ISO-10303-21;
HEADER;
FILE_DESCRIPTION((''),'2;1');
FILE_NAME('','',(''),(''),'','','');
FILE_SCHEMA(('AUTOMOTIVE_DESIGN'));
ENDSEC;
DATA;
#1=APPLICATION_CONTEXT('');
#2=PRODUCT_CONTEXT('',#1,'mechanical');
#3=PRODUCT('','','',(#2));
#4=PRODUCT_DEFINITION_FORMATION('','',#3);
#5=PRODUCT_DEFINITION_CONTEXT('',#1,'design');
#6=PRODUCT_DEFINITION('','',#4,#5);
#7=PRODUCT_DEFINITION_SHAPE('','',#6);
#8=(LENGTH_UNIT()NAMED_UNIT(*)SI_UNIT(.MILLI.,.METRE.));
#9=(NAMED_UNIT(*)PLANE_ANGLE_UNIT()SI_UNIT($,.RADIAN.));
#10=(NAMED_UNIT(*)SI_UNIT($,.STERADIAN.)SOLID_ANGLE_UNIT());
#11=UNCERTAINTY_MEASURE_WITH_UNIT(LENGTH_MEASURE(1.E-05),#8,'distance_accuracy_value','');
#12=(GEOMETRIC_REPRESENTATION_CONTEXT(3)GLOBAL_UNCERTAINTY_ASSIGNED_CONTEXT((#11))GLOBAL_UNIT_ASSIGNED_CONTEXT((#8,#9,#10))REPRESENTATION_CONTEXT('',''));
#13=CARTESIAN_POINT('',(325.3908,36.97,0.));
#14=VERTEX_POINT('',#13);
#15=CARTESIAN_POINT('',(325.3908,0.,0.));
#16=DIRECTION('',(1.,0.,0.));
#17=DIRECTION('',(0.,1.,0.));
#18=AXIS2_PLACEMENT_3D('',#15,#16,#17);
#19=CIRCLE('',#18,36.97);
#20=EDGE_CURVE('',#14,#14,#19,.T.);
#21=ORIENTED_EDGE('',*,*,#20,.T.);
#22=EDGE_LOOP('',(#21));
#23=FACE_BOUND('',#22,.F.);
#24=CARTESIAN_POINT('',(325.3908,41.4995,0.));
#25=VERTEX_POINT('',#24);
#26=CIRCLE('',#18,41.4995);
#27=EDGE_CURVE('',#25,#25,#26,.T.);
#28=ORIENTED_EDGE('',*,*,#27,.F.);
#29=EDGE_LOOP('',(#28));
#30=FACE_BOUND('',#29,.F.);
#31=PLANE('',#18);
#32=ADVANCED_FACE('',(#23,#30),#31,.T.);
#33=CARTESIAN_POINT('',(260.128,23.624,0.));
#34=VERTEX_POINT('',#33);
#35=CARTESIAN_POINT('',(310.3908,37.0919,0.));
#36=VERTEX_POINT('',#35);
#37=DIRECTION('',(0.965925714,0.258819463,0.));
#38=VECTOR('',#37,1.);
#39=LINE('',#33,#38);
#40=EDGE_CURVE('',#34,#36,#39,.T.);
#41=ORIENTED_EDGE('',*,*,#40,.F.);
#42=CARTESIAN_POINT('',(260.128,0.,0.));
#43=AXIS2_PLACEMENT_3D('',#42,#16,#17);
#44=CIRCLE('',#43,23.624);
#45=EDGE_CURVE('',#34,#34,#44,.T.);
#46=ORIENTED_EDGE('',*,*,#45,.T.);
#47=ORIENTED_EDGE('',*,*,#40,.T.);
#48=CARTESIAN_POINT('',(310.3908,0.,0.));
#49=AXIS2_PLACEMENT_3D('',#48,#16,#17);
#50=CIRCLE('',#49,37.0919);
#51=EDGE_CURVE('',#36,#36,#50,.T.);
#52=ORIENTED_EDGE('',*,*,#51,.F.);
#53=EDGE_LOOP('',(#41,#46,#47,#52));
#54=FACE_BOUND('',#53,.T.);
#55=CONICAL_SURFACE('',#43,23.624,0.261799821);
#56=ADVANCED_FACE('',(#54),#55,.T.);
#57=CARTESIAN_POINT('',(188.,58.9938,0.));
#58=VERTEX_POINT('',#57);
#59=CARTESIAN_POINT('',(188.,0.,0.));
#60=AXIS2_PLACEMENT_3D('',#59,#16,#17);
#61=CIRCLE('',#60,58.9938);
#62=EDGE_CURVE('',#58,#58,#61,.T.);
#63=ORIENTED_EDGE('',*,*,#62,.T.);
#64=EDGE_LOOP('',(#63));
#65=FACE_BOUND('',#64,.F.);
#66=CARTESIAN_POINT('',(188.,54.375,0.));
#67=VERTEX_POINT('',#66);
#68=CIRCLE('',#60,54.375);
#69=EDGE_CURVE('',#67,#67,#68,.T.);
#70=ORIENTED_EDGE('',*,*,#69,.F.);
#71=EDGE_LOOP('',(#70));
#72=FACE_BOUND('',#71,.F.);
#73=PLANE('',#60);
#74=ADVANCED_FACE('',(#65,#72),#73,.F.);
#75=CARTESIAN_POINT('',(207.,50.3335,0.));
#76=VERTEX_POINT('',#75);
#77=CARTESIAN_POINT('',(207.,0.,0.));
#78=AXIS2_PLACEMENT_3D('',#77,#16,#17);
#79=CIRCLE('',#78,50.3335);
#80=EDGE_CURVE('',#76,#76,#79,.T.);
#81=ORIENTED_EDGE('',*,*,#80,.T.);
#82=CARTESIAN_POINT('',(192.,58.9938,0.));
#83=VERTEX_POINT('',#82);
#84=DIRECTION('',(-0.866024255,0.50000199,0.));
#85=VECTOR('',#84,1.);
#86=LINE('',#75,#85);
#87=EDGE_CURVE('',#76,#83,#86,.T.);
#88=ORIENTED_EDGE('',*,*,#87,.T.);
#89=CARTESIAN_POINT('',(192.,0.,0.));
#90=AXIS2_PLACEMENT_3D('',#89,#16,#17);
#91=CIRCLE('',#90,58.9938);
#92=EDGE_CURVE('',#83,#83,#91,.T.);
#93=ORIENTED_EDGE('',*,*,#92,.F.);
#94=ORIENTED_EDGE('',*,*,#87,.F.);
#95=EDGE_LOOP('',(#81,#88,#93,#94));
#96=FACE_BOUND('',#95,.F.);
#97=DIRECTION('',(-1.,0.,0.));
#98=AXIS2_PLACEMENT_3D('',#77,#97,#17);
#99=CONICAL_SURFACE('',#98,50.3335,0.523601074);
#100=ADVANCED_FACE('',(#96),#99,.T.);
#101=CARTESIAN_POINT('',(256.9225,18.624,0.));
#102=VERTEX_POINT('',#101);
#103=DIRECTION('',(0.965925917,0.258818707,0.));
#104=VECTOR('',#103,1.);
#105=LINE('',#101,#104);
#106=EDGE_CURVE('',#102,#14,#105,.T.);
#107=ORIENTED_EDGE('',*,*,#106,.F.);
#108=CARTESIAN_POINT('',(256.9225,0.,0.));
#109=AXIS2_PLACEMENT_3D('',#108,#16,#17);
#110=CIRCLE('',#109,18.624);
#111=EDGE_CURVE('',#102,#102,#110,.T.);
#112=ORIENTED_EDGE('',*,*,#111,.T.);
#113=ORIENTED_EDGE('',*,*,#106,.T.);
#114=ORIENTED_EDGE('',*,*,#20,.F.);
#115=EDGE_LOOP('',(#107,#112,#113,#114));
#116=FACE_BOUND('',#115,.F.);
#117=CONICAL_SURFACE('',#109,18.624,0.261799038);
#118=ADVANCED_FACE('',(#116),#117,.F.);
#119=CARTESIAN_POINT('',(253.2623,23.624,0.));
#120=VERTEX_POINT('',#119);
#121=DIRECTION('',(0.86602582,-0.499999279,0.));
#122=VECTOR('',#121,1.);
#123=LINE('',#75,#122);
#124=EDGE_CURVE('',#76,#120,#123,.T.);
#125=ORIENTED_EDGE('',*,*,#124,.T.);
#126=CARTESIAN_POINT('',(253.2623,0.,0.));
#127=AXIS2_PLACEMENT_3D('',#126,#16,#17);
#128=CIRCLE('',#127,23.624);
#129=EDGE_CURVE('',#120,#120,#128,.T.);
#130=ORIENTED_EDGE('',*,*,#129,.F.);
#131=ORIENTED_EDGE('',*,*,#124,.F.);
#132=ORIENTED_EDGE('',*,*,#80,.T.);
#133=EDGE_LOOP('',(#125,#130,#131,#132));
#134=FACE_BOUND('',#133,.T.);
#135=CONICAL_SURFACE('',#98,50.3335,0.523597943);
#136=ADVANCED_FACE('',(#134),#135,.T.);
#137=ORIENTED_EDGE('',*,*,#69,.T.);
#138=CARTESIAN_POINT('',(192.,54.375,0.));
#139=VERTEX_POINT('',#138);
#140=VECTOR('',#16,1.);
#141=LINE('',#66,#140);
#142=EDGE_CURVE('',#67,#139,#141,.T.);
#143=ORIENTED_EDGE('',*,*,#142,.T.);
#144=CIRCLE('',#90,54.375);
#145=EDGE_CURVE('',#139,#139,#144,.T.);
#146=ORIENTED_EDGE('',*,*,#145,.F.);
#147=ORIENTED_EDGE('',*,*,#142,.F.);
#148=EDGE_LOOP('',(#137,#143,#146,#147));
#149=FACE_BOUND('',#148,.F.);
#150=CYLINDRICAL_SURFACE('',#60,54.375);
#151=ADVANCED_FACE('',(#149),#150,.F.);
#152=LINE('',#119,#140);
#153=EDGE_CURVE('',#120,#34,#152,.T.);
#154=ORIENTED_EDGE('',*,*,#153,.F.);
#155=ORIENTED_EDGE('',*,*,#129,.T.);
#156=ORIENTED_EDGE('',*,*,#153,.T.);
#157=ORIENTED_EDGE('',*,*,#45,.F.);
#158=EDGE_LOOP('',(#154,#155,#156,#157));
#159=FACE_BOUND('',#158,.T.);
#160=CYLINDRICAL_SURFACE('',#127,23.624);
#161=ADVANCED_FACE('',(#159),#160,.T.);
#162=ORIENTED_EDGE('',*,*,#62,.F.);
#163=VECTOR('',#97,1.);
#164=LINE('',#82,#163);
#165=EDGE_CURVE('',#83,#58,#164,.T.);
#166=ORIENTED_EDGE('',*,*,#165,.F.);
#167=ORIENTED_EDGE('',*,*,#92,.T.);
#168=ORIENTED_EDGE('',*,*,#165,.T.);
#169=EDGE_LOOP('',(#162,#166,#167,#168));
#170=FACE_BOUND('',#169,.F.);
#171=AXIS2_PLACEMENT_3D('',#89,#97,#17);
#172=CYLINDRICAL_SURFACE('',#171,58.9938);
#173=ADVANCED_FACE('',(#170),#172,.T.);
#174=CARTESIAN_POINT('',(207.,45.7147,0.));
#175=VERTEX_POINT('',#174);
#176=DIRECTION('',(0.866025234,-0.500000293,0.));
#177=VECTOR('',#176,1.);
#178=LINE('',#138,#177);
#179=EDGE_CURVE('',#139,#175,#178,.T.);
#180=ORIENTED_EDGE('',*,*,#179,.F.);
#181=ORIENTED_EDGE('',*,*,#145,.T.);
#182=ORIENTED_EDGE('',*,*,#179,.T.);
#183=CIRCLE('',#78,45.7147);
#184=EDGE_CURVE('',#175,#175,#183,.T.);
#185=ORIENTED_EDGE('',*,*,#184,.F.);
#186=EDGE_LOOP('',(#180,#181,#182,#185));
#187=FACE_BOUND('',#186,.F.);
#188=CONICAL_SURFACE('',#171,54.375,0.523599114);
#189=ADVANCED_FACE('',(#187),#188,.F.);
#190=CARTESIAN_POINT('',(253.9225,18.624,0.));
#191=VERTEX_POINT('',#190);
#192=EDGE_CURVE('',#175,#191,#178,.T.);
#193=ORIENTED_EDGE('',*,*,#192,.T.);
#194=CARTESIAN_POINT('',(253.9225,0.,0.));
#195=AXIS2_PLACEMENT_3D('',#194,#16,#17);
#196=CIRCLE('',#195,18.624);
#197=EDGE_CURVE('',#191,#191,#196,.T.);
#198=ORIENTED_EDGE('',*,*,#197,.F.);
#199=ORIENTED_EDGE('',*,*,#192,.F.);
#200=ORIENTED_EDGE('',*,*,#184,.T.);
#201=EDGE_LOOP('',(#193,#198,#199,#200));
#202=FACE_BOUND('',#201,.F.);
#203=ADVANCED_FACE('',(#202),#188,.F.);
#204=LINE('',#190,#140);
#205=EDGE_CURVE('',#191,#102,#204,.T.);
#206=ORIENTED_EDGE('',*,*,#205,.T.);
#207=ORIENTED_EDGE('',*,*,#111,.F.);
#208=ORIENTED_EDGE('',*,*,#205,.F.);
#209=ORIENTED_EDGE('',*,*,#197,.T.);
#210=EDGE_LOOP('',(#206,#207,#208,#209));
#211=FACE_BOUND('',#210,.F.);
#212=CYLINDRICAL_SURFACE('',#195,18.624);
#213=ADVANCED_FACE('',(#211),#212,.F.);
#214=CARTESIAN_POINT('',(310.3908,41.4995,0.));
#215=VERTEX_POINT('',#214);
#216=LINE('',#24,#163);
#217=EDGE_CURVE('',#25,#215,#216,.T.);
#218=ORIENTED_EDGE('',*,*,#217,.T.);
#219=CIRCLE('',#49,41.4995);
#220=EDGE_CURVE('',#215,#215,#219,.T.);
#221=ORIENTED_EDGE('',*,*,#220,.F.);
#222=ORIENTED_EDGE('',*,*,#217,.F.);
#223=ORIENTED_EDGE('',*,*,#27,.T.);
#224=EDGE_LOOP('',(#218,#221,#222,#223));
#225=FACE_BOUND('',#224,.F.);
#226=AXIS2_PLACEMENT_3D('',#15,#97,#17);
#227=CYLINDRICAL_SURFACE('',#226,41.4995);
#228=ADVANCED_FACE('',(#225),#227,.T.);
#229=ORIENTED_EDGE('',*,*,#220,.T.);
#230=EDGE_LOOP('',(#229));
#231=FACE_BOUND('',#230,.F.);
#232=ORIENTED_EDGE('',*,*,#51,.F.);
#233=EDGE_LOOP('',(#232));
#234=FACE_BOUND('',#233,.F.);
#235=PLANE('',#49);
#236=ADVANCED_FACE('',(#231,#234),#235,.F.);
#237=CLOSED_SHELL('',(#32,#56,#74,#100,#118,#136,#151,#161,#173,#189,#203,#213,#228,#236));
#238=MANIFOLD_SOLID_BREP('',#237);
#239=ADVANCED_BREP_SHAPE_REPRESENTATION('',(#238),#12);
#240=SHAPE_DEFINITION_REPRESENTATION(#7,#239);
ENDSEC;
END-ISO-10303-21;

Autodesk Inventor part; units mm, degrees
ref_plane "YZ Plane" through (0, 0, 0) normal (1, 0, 0) x (0, 1, 0)
ref_plane "XZ Plane" through (0, 0, 0) normal (0, 1, 0) x (-1, 0, 0)
ref_plane "XY Plane" through (0, 0, 0) normal (0, 0, 1) x (1, 0, 0)
sketch "Sketch1" plane through (0, 0, 0) normal (0, 0, 1) x (1, 0, 0)
  line L0 (0, 0) -> (0, 54.375)
  line L1 (0, 54.375) -> (20, 54.375)
  line L2 (0, 0) -> (772.3927, 0)
  line L3 (253.9225, 18.624) -> (253.9225, 0) construction
  line L4 (192, 54.375) -> (253.9225, 18.624)
  line L5 (253.9225, 18.624) -> (256.9225, 18.624)
  line L6 (256.9225, 18.624) -> (325.3908, 36.97)
  line L7 (325.3908, 36.97) -> (325.3908, 0)
  line L8 (192, 54.375) -> (192, 0)
  line L9 (0, 54.375) -> (0, 74.375)
  line L10 (0, 74.375) -> (20, 74.375)
  line L11 (20, 74.375) -> (20, 58.375)
  line L12 (20, 58.375) -> (172, 58.375)
  line L13 (192, 54.375) -> (192, 74.375) construction
  line L14 (325.3908, 36.4995) -> (325.3908, 41.4995)
  line L15 (207, 50.3335) -> (253.2623, 23.624)
  line L16 (260.128, 23.624) -> (310.3908, 37.0919)
  line L17 (253.2623, 23.624) -> (260.128, 23.624)
  line L18 (310.3908, 41.4995) -> (310.3908, 37.0919)
  line L19 (207, 45.7147) -> (207, 21.1203)
  line L20 (325.3908, 36.4995) -> (325.3908, 41.4995)
  line L21 (325.3908, 41.4995) -> (310.3908, 41.4995)
  line L22 (207, 50.3335) -> (192, 58.9938)
  line L23 (207, 50.3335) -> (266.427, 50.3335) construction
  line L24 (172, 58.375) -> (185.0718, 58.375)
  line L25 (192, 58.9938) -> (188, 58.9938)
  line L26 (188, 58.9938) -> (188, 54.375)
  line L27 (188, 54.375) -> (192, 54.375)
  point P0 (255.4225, 18.624)
  dimension "d0" = 54.375
  dimension "d2" = 18.624
  dimension "d3" = 150
  dimension "d4" = 3
  dimension "d5" = 15
  dimension "d6" = 36.97
  dimension "d7" = 518.4701
  dimension "d8" = 20
  dimension "d9" = 20
  dimension "d10" = 16
  dimension "d18" = 4
  dimension "d21" = 5
  dimension "d22" = 15
  dimension "d23" = 150
  dimension "d24" = 4
revolve "Revolution1" add sketch "Sketch1" angle 360 about axis through (0, 0, 0) along (1, 0, 0) contours L27 L26 L25 L22 L15 L17 L16 L18 L21 L14 L6 L5 L4
properties part number "nozzle" material "Stainless Steel, Austenitic"
